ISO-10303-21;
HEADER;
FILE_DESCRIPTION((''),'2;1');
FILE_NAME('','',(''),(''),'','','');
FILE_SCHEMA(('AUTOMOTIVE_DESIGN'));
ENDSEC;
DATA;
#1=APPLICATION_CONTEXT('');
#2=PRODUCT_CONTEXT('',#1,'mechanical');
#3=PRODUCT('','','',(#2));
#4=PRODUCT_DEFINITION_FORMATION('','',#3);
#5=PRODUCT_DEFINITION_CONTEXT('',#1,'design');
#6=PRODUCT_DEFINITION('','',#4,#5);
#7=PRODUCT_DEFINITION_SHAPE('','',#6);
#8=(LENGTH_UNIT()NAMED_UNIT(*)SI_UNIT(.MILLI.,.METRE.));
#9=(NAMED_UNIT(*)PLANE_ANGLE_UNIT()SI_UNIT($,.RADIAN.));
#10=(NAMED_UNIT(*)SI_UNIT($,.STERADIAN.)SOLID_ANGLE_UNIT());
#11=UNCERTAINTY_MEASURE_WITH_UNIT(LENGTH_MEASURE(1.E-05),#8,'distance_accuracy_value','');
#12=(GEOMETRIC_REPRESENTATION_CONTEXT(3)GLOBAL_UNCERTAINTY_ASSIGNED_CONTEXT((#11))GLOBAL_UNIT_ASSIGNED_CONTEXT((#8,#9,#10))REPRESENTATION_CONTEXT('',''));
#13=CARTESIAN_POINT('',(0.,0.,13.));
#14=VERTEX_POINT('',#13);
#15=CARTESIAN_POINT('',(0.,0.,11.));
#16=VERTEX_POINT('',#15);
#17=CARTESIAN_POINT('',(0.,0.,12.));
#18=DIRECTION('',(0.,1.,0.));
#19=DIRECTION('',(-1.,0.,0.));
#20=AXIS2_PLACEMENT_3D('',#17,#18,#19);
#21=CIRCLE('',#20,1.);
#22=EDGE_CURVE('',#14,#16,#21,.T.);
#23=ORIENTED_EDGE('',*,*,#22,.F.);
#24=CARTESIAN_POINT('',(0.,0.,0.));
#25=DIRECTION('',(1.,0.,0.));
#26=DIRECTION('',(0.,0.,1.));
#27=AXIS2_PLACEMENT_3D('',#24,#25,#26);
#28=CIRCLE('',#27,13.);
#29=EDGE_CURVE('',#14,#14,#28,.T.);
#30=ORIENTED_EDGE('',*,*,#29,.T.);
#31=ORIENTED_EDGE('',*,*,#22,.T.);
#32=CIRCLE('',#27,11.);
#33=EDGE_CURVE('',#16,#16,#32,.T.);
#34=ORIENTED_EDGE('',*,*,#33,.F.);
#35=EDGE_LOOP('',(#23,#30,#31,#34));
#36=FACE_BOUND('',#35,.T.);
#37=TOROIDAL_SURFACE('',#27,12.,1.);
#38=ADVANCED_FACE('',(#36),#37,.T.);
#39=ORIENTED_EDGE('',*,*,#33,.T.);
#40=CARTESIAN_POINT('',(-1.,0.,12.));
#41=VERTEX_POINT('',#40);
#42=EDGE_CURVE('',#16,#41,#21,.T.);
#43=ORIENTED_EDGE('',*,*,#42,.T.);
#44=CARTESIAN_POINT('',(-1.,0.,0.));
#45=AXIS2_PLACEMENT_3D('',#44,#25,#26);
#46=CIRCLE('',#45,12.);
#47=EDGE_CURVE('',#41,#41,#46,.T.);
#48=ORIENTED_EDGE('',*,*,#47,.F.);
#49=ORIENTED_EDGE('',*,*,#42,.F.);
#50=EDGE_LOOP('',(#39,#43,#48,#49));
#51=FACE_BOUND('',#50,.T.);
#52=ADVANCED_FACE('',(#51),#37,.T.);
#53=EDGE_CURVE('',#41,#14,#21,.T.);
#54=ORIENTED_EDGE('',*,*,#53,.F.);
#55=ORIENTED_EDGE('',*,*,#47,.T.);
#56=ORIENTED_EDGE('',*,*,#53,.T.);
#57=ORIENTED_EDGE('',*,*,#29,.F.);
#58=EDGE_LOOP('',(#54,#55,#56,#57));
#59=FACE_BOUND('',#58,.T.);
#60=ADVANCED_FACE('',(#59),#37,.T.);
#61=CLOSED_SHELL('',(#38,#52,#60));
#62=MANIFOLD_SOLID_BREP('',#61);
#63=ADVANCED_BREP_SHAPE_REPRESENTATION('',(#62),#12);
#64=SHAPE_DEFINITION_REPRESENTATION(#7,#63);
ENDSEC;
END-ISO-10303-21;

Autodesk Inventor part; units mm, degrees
ref_plane "YZ Plane" through (0, 0, 0) normal (1, 0, 0) x (0, 1, 0)
ref_plane "XZ Plane" through (0, 0, 0) normal (0, 1, 0) x (-1, 0, 0)
ref_plane "XY Plane" through (0, 0, 0) normal (0, 0, 1) x (1, 0, 0)
sketch "Sketch1" plane through (0, 0, 0) normal (0, 1, 0) x (-1, 0, 0)
  circle A0 centre (0, 0) radius 12 construction
  line L0 (12.8595, 0) -> (-16.5674, 0)
  line L1 (0, 18.0666) -> (0, -20.1794)
  circle A1 centre (0, 12) radius 1
  dimension "d0" = 24
  dimension "d1" = 2
revolve "Revolution1" add sketch "Sketch1" angle 360 about axis through (-12.8595, 0, 0) along (1, 0, 0)
properties part number "Cartridge Gland Seal M25 RS 664 4628"
